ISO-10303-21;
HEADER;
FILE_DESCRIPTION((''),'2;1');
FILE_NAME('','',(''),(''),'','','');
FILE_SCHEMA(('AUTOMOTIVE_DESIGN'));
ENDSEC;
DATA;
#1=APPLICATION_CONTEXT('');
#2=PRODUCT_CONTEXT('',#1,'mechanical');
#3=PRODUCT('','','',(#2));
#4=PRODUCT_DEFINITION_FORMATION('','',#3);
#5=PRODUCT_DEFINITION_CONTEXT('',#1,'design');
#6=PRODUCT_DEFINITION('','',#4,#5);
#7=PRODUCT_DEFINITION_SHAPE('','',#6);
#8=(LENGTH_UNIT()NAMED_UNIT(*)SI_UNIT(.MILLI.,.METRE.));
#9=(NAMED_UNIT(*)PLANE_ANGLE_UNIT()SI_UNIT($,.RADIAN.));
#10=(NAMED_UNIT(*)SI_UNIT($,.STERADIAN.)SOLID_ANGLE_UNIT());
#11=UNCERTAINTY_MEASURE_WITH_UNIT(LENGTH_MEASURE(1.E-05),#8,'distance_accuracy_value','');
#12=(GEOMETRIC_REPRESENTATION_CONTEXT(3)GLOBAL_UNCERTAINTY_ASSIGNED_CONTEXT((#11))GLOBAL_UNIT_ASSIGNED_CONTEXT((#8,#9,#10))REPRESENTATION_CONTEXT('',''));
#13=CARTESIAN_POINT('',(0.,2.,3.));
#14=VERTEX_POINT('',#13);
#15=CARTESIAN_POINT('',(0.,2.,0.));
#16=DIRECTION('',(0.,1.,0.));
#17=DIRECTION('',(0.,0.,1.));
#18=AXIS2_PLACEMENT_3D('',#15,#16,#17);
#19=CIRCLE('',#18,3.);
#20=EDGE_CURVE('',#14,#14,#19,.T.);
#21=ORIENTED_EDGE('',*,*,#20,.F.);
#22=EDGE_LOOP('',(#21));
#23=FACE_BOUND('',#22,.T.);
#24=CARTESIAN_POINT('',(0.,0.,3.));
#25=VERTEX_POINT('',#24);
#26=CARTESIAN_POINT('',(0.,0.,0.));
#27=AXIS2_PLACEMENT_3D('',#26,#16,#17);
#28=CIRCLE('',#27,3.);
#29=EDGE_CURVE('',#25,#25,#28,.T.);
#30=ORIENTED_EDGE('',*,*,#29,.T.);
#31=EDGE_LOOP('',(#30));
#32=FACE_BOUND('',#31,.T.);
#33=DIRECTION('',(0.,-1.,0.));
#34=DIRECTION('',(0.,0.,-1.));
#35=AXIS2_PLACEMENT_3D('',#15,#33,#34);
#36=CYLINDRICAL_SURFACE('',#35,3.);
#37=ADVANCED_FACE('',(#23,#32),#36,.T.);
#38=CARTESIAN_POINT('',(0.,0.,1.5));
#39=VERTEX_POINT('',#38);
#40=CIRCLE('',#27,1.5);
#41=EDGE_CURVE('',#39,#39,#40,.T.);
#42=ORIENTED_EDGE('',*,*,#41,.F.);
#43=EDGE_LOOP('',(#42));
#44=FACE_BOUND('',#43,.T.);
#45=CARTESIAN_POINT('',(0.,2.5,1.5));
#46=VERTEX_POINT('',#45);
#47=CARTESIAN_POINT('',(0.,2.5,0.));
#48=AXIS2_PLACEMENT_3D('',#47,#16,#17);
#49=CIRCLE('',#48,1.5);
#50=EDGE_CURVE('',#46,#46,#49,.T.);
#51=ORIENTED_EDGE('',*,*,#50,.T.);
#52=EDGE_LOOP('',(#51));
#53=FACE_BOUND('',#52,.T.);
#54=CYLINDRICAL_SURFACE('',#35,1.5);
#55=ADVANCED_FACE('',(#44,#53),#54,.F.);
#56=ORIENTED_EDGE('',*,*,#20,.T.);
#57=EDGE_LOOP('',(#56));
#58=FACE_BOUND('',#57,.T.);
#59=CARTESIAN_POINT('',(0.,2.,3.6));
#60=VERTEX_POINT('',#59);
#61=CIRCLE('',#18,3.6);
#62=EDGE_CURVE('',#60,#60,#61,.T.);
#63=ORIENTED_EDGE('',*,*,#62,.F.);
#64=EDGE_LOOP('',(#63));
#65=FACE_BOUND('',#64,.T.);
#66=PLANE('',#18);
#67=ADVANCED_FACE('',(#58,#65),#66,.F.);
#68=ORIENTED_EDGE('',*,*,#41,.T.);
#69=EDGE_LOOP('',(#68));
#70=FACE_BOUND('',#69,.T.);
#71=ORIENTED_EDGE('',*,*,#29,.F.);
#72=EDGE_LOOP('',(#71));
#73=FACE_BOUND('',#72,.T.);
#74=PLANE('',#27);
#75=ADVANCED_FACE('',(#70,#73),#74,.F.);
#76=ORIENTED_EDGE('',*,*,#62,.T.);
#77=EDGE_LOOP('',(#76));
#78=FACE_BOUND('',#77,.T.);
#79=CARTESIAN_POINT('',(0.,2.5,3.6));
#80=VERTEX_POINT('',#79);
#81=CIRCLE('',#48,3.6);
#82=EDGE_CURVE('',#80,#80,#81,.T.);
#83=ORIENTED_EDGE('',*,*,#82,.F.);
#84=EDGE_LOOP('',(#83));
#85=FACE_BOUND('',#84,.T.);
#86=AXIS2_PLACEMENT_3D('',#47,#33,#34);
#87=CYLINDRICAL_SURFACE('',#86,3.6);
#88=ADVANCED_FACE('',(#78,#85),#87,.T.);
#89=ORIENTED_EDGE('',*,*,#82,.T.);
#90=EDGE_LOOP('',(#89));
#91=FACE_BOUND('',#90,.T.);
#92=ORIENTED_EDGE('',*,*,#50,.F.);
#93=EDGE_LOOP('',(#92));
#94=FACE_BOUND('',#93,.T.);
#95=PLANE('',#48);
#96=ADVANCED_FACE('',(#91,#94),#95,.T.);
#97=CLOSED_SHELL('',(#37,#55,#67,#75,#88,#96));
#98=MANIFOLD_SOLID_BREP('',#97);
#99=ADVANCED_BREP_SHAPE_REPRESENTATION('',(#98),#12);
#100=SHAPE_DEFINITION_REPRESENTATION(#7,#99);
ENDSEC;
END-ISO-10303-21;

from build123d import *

# Parameters (mm, degrees)
SKETCH_1_R      = 3
SKETCH_1_R_2    = 1.5
EXTRUDE_1_DEPTH = 2
SKETCH_2_R      = 3.6
SKETCH_2_R_2    = 1.5
EXTRUDE_2_DEPTH = 0.5


with BuildPart() as part:
    # 草图1 → 凸台-拉伸1 (new body)
    with BuildSketch(Plane(origin=(0, 0, 0), x_dir=(1, 0, 0), z_dir=(0, 1, 0))):
        with Locations(Location((0, 0, 0), (0, 0, 270))):
            Circle(SKETCH_1_R)
        with Locations(Location((0, 0, 0), (0, 0, 270))):
            Circle(SKETCH_1_R_2, mode=Mode.SUBTRACT)
    extrude(amount=EXTRUDE_1_DEPTH)

    # 草图2 → 凸台-拉伸2 (add)
    with BuildSketch(Plane(origin=(0, 2, 0), x_dir=(1, 0, 0), z_dir=(0, 1, 0))):
        with Locations(Location((0, 0, 0), (0, 0, 270))):
            Circle(SKETCH_2_R)
        with Locations(Location((0, 0, 0), (0, 0, 270))):
            Circle(SKETCH_2_R_2, mode=Mode.SUBTRACT)
    extrude(amount=EXTRUDE_2_DEPTH)


solid = part.part
